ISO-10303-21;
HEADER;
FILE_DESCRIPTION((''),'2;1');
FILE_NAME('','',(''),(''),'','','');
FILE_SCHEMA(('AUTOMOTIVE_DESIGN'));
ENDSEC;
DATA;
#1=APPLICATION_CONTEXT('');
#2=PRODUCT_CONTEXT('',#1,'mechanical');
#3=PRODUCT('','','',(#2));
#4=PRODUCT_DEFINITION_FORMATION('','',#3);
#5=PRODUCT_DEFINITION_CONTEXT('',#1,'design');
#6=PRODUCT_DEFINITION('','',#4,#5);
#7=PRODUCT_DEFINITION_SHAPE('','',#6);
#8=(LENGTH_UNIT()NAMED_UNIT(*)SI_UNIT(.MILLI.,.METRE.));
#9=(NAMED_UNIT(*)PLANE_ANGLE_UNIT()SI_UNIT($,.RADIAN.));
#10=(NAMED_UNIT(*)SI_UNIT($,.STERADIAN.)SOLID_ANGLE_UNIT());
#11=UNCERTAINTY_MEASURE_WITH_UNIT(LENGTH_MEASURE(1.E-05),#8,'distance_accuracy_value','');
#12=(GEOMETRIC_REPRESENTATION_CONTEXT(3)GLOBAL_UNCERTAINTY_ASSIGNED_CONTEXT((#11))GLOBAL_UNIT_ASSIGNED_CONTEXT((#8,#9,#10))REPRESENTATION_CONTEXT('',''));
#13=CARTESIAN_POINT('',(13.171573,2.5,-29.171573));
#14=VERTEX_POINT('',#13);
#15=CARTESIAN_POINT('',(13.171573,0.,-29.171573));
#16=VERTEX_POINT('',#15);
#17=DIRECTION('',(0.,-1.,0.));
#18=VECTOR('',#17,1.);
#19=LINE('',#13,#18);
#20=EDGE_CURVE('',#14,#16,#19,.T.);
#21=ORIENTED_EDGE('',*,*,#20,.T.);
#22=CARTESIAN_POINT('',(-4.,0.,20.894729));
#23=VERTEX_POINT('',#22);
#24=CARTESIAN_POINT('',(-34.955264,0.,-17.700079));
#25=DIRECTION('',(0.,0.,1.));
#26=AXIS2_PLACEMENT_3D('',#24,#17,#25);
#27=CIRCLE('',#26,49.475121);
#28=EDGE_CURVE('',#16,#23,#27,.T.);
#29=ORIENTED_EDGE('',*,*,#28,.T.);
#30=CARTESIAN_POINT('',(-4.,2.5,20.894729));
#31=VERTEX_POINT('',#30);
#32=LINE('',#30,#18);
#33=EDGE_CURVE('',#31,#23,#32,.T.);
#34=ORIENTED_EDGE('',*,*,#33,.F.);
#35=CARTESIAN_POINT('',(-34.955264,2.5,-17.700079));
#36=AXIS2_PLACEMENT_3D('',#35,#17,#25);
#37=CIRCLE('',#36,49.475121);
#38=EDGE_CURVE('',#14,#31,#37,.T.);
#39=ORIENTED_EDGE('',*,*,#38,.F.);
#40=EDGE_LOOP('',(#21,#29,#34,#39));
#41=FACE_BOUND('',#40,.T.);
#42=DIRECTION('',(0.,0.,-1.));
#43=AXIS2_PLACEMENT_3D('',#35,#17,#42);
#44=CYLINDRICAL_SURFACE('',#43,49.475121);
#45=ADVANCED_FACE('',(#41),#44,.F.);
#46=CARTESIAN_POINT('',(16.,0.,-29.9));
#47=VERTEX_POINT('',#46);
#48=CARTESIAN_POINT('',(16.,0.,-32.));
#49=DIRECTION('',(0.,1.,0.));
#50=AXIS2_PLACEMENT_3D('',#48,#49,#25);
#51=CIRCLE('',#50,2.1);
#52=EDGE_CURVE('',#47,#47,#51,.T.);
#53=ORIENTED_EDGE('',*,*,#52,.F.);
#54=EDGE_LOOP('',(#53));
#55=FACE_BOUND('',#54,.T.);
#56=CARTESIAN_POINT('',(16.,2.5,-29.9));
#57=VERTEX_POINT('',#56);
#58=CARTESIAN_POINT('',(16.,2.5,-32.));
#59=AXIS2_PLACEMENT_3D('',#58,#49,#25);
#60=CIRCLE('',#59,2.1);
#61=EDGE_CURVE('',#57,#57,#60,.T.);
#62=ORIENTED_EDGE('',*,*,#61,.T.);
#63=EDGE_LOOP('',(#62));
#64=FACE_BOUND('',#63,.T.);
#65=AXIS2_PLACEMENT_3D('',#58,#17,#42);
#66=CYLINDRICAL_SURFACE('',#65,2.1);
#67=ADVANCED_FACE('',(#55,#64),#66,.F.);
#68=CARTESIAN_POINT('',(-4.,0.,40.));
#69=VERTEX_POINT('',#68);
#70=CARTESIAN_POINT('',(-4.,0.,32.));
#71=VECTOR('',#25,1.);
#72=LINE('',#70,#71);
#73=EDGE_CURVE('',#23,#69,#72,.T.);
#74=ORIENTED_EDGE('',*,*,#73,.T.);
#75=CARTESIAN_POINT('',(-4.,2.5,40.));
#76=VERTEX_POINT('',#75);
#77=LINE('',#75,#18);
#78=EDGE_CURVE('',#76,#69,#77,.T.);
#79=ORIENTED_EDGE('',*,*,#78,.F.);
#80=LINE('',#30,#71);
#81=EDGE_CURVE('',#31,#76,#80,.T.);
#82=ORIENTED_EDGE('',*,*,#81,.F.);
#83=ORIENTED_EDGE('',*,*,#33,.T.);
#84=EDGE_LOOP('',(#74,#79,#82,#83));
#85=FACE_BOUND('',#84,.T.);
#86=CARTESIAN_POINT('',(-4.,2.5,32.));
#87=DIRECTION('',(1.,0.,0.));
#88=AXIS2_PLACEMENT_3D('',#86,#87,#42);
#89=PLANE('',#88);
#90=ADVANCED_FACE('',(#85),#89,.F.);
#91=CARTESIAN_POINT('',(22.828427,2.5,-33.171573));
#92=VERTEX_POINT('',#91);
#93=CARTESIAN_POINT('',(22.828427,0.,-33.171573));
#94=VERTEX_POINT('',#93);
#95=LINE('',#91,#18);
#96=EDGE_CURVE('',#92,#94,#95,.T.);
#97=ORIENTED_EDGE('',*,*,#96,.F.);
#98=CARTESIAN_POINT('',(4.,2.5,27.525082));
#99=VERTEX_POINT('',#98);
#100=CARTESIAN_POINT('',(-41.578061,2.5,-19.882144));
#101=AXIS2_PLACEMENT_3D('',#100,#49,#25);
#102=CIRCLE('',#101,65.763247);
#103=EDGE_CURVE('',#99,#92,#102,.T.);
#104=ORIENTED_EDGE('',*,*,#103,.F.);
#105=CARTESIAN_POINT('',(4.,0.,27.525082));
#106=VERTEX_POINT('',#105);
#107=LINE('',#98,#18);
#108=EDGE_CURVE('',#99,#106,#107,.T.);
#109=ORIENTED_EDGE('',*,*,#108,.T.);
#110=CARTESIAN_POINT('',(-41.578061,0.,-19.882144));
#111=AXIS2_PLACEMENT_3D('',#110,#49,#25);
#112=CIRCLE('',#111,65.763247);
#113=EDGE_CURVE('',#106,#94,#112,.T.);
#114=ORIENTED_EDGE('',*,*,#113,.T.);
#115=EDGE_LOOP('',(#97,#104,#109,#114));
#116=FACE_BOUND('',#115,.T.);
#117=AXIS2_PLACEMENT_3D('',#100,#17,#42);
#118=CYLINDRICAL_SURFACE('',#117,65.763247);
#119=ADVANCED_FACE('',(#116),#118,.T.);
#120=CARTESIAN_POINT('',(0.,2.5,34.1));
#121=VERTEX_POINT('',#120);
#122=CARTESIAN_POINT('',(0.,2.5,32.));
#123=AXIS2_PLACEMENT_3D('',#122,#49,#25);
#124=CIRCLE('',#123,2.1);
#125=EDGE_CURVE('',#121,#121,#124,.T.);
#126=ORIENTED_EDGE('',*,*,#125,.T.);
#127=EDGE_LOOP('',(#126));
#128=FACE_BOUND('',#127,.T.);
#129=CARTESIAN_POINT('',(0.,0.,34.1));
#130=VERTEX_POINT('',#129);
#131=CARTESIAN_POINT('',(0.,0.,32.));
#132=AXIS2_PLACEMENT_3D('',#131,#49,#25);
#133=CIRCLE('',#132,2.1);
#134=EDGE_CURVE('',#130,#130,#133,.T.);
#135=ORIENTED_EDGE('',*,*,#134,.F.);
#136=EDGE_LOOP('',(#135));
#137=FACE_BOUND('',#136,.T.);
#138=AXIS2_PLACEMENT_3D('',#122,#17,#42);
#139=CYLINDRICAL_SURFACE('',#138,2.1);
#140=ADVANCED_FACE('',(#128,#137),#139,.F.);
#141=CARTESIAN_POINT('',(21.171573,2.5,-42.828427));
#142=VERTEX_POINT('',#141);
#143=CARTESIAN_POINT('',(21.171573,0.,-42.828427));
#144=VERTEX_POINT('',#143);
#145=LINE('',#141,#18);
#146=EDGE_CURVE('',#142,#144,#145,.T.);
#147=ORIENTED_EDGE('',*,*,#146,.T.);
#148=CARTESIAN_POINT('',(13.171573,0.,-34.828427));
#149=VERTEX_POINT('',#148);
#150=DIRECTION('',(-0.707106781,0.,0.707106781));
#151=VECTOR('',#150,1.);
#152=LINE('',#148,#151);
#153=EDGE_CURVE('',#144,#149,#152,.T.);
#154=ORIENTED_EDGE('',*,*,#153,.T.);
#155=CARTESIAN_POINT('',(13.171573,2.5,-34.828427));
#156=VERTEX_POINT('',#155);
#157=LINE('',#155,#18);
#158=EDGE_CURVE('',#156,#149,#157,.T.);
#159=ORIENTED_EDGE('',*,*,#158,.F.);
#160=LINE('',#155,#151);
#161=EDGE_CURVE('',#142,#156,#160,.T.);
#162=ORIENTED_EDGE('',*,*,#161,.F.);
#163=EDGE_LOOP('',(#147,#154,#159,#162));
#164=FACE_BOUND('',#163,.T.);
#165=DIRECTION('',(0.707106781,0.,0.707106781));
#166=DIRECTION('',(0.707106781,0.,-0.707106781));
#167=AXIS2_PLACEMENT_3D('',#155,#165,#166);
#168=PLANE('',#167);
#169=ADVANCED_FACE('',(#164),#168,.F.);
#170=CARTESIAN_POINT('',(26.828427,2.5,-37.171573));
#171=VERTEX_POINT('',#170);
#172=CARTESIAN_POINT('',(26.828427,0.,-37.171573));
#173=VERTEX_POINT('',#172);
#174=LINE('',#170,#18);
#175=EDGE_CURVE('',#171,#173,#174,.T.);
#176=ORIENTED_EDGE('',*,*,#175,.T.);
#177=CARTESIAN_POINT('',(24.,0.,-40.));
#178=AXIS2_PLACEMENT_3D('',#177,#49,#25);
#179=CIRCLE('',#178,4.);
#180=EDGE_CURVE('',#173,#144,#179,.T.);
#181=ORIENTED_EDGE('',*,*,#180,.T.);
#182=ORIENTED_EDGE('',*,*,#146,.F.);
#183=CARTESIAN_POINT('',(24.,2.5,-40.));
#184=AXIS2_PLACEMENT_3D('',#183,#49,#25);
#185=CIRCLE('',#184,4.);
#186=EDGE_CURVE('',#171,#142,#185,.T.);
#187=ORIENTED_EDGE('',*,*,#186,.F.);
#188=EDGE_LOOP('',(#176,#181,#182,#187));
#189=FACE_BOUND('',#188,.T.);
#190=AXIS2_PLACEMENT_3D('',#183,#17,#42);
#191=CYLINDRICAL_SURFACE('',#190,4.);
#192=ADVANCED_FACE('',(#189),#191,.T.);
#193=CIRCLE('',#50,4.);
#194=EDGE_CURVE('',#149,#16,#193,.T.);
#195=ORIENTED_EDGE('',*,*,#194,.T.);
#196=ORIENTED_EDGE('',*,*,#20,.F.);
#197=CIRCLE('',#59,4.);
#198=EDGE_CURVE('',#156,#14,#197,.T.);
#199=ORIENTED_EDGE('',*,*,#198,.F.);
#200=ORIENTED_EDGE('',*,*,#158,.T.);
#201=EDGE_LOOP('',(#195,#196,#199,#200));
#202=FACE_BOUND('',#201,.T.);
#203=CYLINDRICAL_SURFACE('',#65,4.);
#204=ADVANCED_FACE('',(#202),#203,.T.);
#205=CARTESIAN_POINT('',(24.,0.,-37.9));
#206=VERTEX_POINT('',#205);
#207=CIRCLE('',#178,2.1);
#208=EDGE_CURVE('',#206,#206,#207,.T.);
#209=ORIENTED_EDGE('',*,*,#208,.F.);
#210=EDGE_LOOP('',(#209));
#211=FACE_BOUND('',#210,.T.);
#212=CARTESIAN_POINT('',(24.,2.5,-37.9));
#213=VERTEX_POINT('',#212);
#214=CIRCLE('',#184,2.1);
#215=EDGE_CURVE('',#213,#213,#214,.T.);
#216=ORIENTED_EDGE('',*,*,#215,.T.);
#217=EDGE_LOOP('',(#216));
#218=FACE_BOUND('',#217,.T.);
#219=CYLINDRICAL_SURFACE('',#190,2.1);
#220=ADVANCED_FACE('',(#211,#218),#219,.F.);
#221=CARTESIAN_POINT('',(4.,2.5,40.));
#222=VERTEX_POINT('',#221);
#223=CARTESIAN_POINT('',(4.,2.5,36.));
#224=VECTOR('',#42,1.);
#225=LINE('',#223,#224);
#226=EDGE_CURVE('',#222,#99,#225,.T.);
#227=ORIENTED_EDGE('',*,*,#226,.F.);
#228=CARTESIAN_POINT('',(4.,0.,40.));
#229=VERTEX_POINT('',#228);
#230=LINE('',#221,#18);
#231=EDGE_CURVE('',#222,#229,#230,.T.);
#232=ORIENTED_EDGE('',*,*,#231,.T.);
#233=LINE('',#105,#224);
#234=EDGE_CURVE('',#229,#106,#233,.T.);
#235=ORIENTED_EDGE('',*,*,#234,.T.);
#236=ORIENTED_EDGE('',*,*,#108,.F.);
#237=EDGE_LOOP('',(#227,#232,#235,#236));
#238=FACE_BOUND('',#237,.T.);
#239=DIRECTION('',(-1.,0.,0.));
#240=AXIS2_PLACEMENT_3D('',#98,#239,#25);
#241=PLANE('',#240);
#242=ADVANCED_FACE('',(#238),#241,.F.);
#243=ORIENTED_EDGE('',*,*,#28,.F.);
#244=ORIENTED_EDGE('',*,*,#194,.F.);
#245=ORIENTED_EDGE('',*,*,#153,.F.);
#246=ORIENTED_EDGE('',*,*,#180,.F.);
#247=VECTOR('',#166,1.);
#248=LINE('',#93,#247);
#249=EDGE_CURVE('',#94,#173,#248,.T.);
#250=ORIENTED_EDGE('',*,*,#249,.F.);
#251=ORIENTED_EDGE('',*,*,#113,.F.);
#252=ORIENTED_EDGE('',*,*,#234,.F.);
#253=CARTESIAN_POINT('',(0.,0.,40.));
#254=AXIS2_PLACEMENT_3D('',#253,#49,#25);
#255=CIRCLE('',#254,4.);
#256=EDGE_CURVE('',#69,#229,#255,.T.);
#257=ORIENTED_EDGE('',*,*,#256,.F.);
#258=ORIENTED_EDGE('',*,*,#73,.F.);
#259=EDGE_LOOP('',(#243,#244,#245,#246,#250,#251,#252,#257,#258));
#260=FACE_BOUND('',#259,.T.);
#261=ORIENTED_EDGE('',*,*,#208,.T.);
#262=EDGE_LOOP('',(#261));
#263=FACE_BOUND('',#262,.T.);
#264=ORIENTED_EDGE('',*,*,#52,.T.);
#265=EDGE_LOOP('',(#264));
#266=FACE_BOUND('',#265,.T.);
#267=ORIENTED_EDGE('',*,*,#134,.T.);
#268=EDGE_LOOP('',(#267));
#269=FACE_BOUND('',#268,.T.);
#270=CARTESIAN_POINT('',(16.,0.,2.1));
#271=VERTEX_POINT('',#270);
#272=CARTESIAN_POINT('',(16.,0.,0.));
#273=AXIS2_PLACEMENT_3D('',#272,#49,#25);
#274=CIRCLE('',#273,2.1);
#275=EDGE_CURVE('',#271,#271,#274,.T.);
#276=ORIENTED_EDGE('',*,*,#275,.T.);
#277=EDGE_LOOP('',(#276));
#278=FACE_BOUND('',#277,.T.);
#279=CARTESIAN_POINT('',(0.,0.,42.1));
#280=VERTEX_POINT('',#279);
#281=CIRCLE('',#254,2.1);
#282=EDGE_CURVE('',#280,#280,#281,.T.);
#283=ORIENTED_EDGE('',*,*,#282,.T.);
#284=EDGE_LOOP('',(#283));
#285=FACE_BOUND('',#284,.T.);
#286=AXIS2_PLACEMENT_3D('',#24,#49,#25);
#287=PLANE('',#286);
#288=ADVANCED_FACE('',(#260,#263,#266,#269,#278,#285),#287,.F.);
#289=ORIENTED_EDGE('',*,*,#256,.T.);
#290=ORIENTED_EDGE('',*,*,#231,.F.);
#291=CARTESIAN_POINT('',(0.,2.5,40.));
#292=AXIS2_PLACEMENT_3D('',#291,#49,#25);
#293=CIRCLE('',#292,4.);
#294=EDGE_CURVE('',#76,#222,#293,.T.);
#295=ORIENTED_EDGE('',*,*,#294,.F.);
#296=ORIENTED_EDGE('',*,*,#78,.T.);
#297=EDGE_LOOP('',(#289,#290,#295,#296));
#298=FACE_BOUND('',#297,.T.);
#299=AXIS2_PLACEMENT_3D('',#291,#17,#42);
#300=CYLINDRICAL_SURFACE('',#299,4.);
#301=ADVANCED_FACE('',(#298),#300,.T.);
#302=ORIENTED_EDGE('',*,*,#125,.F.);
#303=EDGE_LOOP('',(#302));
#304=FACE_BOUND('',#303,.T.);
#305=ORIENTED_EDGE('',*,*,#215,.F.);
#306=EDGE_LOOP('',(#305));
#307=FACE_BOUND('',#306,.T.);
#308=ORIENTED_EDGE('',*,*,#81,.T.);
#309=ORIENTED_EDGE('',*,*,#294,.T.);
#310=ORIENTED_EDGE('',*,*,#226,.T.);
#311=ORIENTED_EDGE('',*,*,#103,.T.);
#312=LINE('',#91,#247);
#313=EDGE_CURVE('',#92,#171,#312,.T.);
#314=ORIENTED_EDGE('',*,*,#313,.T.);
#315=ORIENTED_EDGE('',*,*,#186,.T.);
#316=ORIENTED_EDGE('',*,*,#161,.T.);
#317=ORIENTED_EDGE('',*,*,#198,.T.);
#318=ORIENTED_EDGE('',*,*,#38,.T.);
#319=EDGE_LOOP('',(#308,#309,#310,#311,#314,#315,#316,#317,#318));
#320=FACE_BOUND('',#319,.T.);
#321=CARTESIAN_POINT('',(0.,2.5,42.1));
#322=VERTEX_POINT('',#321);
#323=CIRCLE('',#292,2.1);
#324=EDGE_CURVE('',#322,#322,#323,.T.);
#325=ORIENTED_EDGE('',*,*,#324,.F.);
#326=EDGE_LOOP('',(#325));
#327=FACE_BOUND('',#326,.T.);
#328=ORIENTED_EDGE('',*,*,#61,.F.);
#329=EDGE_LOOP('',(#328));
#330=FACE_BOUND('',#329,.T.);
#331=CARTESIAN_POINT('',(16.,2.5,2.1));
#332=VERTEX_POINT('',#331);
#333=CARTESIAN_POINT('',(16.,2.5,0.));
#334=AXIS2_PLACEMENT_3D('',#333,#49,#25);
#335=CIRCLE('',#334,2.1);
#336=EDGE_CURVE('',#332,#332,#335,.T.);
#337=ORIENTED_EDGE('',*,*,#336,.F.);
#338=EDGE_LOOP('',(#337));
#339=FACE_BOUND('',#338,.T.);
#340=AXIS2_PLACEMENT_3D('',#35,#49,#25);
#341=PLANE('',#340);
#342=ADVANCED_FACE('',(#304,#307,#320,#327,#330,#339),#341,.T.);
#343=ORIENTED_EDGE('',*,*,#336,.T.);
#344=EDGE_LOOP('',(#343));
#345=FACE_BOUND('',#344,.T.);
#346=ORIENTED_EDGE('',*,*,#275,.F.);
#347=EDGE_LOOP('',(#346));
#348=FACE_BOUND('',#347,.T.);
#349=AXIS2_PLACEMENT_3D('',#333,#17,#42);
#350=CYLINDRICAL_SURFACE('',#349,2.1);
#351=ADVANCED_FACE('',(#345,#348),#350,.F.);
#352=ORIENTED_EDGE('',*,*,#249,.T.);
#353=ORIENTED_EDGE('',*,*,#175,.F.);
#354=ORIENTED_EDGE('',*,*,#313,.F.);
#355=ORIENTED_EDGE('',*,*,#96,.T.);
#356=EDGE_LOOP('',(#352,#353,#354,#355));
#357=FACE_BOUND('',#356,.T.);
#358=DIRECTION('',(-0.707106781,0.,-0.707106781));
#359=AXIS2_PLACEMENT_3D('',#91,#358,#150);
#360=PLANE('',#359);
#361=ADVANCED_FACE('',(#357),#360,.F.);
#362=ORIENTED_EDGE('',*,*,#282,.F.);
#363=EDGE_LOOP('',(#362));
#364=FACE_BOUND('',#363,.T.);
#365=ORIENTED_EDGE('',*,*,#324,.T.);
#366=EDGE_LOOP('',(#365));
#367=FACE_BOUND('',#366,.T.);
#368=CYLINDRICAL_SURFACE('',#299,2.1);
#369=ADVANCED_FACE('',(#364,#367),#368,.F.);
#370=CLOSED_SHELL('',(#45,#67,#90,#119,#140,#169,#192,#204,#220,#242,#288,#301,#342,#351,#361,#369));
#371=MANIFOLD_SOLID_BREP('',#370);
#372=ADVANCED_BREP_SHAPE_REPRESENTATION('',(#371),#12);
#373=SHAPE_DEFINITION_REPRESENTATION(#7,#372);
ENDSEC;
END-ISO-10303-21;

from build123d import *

# Parameters (mm, degrees)
SKETCH1_R           = 2.1
BOSS_EXTRUDE1_DEPTH = 2.5


with BuildPart() as part:
    # Sketch1 → Boss-Extrude1 (new body)
    with BuildSketch(Plane(origin=(0, 0, 0), x_dir=(1, 0, 0), z_dir=(0, 1, 0))):
        with BuildLine():
            Line((4, -36), (4, -40))
            ThreePointArc((4, -40), (0, -44), (-4, -40))
            Line((-4, -40), (-4, -32))
            Line((-4, -32), (-4, -20.894729077))
            ThreePointArc((-4, -20.894729077), (11.843809939, 1.649089261), (13.171572875, 29.171572875))
            ThreePointArc((13.171572875, 29.171572875), (12, 32), (13.171572875, 34.828427125))
            Line((13.171572875, 34.828427125), (21.171572875, 42.828427125))
            ThreePointArc((21.171572875, 42.828427125), (26.828427125, 42.828427125), (26.828427125, 37.171572875))
            Line((26.828427125, 37.171572875), (22.828427125, 33.171572875))
            ThreePointArc((22.828427125, 33.171572875), (21.232537081, 0.397959844), (4, -27.525081572))
            Line((4, -27.525081572), (4, -36))
        make_face()
        with Locations(Location((0, -32, 0), (0, 0, 270))):
            Circle(SKETCH1_R, mode=Mode.SUBTRACT)
        with Locations(Location((0, -40, 0), (0, 0, 270))):
            Circle(SKETCH1_R, mode=Mode.SUBTRACT)
        with Locations(Location((16, 32, 0), (0, 0, 270))):
            Circle(SKETCH1_R, mode=Mode.SUBTRACT)
        with Locations(Location((24, 40, 0), (0, 0, 270))):
            Circle(SKETCH1_R, mode=Mode.SUBTRACT)
        with Locations(Location((16, 0, 0), (0, 0, 270))):
            Circle(SKETCH1_R, mode=Mode.SUBTRACT)
    extrude(amount=BOSS_EXTRUDE1_DEPTH)


solid = part.part
